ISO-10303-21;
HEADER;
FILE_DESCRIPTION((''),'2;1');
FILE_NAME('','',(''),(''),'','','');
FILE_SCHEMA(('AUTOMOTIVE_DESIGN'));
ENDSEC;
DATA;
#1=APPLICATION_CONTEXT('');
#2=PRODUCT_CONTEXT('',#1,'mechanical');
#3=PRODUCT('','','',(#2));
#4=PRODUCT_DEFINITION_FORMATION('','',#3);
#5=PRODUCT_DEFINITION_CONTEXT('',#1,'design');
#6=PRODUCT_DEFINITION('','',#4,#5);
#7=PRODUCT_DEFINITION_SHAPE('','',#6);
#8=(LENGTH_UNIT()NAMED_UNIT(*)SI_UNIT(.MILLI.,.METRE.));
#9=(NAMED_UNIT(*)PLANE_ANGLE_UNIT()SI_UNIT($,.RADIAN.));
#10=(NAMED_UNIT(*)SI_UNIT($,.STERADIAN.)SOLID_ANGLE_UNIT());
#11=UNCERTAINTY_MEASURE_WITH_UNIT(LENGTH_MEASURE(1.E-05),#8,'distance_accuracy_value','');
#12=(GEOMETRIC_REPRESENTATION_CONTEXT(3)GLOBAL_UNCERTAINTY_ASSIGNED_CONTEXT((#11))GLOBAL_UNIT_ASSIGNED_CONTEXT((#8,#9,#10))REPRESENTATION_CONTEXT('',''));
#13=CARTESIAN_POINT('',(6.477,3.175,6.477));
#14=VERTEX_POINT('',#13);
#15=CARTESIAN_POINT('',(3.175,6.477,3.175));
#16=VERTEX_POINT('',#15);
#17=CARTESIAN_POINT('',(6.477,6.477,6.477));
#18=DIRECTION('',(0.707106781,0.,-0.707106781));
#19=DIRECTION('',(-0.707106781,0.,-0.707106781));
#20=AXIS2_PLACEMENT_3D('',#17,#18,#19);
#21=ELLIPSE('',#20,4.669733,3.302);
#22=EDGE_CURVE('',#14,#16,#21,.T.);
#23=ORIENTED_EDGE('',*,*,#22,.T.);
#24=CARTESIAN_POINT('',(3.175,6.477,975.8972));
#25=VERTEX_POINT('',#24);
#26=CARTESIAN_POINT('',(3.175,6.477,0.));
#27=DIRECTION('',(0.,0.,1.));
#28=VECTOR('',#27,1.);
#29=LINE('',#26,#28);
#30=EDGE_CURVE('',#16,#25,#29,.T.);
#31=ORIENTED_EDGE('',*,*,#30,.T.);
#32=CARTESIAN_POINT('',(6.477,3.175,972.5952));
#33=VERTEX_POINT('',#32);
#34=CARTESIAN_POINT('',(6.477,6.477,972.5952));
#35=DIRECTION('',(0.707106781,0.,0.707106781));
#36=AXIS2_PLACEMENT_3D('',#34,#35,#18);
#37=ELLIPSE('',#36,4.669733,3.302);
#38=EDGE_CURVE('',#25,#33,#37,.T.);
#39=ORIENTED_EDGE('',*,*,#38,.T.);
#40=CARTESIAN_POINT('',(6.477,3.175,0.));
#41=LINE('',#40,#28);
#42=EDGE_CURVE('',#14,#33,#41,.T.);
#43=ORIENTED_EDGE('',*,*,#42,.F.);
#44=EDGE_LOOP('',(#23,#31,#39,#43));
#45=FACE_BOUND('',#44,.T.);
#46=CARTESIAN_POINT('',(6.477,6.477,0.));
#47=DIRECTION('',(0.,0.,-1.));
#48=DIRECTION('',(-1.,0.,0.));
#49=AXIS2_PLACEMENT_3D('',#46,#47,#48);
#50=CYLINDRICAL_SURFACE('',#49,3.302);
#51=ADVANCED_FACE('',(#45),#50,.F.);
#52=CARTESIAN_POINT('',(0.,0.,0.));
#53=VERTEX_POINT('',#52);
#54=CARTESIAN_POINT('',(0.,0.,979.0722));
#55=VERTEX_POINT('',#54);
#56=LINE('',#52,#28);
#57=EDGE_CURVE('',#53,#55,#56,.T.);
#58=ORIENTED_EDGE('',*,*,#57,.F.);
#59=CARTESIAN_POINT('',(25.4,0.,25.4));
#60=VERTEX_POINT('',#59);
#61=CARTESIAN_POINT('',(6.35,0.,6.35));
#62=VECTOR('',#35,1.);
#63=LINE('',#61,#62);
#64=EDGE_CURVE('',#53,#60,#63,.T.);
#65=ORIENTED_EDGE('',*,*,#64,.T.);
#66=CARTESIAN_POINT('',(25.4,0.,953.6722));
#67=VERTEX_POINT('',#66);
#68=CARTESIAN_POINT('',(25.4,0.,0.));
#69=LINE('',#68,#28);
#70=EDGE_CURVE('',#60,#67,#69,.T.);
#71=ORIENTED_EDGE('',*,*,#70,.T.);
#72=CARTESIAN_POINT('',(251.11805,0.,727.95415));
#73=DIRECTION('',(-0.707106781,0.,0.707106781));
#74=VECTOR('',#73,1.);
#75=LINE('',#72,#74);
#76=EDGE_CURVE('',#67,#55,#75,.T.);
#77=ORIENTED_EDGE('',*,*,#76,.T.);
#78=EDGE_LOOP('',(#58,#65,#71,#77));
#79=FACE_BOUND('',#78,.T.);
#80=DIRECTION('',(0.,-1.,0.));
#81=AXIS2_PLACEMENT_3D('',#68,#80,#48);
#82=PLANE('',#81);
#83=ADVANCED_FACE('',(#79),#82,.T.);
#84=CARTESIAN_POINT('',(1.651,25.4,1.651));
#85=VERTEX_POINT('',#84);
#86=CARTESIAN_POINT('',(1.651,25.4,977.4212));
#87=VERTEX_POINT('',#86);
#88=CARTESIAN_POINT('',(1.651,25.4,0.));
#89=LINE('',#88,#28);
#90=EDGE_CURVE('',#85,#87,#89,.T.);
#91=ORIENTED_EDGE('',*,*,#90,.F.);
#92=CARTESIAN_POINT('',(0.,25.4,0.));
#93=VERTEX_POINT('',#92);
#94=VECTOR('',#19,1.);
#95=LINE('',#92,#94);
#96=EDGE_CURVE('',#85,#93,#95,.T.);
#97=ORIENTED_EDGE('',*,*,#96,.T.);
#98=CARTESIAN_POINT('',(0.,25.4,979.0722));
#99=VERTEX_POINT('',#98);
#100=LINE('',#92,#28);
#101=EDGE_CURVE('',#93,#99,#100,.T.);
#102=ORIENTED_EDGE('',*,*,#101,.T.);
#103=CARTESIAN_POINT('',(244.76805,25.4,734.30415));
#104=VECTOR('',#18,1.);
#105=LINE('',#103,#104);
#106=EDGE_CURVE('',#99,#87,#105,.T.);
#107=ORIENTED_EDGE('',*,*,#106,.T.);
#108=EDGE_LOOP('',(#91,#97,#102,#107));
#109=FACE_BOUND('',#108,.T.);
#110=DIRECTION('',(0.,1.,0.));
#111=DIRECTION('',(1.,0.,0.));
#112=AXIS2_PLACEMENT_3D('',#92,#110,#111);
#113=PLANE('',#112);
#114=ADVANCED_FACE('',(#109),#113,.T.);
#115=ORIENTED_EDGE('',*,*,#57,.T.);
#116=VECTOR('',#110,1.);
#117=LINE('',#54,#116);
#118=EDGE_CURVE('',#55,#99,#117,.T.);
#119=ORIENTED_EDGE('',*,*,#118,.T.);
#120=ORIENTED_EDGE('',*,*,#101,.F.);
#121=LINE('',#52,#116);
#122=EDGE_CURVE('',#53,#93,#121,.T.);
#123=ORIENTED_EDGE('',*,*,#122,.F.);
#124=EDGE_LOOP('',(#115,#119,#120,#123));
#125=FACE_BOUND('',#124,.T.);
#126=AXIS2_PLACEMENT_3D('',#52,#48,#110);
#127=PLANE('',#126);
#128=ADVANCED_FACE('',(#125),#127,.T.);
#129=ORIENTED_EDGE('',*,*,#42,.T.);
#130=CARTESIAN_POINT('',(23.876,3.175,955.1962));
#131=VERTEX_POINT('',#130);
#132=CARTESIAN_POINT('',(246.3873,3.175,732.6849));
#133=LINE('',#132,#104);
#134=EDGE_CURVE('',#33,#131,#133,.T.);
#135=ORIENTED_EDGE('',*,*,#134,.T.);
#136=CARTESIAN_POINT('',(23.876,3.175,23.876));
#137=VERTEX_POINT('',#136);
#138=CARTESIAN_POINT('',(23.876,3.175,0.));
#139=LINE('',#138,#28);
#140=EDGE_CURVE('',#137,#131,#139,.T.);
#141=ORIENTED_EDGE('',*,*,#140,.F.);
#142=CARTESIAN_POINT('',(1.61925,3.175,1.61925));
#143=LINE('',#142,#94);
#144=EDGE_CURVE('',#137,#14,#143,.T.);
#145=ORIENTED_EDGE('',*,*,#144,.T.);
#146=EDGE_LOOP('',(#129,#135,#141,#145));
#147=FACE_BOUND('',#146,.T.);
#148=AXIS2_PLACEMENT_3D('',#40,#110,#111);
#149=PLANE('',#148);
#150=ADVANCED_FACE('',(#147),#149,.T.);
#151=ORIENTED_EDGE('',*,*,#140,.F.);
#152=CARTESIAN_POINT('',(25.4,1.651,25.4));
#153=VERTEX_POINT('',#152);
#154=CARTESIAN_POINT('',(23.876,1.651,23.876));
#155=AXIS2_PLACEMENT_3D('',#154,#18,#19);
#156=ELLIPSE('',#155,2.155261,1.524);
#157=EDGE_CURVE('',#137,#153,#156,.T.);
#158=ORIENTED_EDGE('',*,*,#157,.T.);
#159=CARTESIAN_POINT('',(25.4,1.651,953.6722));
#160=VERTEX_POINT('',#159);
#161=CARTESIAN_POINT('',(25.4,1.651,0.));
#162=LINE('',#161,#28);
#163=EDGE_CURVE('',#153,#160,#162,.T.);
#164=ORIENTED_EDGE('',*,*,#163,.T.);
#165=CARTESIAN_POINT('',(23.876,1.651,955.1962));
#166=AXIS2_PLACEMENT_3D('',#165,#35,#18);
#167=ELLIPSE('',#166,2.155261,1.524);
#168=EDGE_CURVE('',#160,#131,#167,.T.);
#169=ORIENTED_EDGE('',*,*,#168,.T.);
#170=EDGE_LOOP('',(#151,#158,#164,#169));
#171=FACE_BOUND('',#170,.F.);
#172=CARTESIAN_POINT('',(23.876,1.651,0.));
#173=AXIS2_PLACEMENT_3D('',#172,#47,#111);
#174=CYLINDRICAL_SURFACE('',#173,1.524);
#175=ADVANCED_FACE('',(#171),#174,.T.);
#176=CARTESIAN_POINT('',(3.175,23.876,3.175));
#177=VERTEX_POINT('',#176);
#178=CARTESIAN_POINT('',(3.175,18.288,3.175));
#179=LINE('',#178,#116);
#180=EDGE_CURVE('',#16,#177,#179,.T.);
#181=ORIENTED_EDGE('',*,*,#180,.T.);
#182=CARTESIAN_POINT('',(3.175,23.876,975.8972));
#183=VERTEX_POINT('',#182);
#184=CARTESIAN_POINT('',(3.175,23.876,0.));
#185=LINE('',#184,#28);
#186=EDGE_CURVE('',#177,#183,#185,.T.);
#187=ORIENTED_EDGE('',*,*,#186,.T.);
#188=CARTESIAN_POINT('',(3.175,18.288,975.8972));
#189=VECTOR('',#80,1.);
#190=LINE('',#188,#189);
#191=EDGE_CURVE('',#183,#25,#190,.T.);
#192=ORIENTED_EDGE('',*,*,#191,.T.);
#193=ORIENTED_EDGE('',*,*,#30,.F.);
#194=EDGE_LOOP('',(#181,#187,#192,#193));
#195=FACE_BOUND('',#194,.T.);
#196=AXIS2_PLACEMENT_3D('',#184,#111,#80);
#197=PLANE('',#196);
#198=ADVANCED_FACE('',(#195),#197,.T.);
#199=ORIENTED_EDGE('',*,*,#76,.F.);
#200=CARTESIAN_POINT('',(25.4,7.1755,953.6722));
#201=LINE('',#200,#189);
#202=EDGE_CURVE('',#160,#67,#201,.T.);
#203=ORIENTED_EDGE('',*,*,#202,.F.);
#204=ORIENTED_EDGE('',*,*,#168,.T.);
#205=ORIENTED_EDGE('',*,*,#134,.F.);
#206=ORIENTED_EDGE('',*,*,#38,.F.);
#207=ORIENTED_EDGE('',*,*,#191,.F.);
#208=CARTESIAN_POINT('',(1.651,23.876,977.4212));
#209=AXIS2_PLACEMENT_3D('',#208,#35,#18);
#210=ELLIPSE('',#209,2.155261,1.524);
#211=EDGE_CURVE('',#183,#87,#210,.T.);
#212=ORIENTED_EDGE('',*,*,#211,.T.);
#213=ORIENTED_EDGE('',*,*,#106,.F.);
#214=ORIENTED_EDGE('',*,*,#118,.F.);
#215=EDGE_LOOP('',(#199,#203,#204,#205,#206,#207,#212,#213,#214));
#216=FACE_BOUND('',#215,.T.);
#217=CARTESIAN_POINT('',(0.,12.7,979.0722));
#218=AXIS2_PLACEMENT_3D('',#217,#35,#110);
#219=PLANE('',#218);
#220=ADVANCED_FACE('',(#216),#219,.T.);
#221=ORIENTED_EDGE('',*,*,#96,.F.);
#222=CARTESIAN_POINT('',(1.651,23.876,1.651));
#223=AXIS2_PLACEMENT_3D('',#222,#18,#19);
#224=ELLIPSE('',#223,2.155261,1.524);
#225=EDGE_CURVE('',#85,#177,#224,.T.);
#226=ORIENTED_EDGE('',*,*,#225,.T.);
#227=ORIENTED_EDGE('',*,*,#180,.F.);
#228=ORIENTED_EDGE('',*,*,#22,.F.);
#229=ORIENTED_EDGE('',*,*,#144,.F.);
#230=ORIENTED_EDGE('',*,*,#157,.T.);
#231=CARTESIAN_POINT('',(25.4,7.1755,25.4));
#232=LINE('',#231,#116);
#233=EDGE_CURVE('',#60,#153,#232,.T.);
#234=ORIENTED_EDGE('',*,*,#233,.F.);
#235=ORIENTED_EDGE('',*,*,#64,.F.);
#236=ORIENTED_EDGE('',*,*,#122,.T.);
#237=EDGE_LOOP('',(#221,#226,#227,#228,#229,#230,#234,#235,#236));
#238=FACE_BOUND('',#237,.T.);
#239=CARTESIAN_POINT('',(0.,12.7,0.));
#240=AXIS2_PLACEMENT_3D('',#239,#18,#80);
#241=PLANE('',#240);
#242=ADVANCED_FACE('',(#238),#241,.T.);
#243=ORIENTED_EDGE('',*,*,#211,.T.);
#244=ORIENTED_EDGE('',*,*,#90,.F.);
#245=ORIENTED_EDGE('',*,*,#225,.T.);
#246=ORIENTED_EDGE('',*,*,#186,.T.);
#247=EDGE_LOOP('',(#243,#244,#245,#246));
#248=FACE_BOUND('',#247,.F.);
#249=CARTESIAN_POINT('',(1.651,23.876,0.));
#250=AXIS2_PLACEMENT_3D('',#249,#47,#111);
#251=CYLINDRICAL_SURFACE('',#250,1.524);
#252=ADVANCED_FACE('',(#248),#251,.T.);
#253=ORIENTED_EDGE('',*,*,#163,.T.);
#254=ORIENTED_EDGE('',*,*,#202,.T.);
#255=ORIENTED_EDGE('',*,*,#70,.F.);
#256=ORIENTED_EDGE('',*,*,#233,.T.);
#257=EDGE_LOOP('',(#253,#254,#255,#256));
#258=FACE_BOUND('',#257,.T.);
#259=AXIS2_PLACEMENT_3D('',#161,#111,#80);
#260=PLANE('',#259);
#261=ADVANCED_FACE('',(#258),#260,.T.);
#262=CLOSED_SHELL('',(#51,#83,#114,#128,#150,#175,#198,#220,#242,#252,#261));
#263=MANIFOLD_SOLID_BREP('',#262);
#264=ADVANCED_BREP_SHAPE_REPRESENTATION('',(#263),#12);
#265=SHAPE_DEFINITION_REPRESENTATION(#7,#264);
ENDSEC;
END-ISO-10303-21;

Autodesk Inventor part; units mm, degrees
ref_plane "Start Plane" through (0, 0, 0) normal (0, 0, 1) x (1, 0, 0)
ref_plane "End Plane" through (0, 0, 979.0722) normal (0, 0, 1) x (1, 0, 0)
sketch "Sketch" plane through (0, 0, 0) normal (0, 0, 1) x (1, 0, 0)
  line L0 (25.4, 0) -> (0, 0)
  line L1 (0, 0) -> (0, 25.4)
  line L2 (0, 25.4) -> (1.651, 25.4)
  line L3 (3.175, 23.876) -> (3.175, 6.477)
  line L4 (6.477, 3.175) -> (23.876, 3.175)
  line L5 (25.4, 1.651) -> (25.4, 0)
  line L6 (0, -11.0414) -> (0, 31.5385) construction
  line L7 (-11.0414, 0) -> (31.5385, 0) construction
  arc A0 (3.175, 6.477) -> (6.477, 3.175) centre (6.477, 6.477) ccw
  arc A1 (3.175, 23.876) -> (1.651, 25.4) centre (1.651, 23.876) ccw
  arc A2 (25.4, 1.651) -> (23.876, 3.175) centre (23.876, 1.651) ccw
  line L8 (0, 40.0545) -> (0, -19.5574) construction
  line L9 (-19.5574, 0) -> (40.0545, 0) construction
  point P0 (3.175, 25.4)
  point P1 (3.175, 3.175)
  point P2 (25.4, 3.175)
  dimension "d0" = 25.4
  dimension "d1" = 25.4
  dimension "d2" = 3.175
  dimension "d3" = 3.175
  dimension "d10" = 0
  dimension "d11" = 0
  dimension "d14" = 3.302
  dimension "d15" = 1.524
extrude "Body" add sketch "Sketch" along normal up to surface (979.0722 mm away) from surface at 0
sketch "Sketch3" plane through (0, 0, 0) normal (0, 0, 1) x (1, 0, 0)
  line L0 (0, 0) -> (10, 0)
ref_plane "Work Plane3" through (0, 0, 0) normal (0, -1, 0) x (1, 0, 0)
ref_plane "Work Plane4" through (0, 12.7, 0) normal (0.7071, 0, -0.7071) x (-0.7071, 0, -0.7071)
split "Split1" plane through (0, 12.7, 0) removes the side toward (0.7071, 0, -0.7071)
ref_plane "Work Plane5" through (0, 12.7, 979.0722) normal (0.7071, 0, 0.7071) x (0.7071, 0, -0.7071)
split "Split2" plane through (0, 12.7, 979.0722) removes the side toward (0.7071, 0, 0.7071)
sketch "Sketch4" plane through (0, 0, 0) normal (0, -1, 0) x (1, 0, 0)
  line L0 (-2, 0) -> (12, 0) projected
  line L1 (-2, 979.0722) -> (12, 979.0722) projected
  dimension "d17" = 979.0722
equation "\"d0\" = G_H"
equation "\"d1\" = G_H"
equation "\"d2\" = G_T"
equation "\"d3\" = G_T"
equation "\"d14\" = G_IR"
equation "\"d15\" = G_ER"
equation "\"d4\" = G_L"
equation "\"G_H\" = 25.4"
equation "\"G_T\" = 3.175"
equation "\"G_ER\" = 1.524"
equation "\"G_IR\" = 3.302"
equation "\"G_L\" = d17"
equation "\"ex\" = 0"
equation "\"G_OFFSET_START\" = 0"
equation "\"G_OFFSET_END\" = 0"
equation "\"d13\" = G_OFFSET_END + B_L"
equation "\"B_L\" = 979.07217"
properties part number "AISC - L 1 x 1 x 1/8 - 38.546" material "Steel, Mild"
